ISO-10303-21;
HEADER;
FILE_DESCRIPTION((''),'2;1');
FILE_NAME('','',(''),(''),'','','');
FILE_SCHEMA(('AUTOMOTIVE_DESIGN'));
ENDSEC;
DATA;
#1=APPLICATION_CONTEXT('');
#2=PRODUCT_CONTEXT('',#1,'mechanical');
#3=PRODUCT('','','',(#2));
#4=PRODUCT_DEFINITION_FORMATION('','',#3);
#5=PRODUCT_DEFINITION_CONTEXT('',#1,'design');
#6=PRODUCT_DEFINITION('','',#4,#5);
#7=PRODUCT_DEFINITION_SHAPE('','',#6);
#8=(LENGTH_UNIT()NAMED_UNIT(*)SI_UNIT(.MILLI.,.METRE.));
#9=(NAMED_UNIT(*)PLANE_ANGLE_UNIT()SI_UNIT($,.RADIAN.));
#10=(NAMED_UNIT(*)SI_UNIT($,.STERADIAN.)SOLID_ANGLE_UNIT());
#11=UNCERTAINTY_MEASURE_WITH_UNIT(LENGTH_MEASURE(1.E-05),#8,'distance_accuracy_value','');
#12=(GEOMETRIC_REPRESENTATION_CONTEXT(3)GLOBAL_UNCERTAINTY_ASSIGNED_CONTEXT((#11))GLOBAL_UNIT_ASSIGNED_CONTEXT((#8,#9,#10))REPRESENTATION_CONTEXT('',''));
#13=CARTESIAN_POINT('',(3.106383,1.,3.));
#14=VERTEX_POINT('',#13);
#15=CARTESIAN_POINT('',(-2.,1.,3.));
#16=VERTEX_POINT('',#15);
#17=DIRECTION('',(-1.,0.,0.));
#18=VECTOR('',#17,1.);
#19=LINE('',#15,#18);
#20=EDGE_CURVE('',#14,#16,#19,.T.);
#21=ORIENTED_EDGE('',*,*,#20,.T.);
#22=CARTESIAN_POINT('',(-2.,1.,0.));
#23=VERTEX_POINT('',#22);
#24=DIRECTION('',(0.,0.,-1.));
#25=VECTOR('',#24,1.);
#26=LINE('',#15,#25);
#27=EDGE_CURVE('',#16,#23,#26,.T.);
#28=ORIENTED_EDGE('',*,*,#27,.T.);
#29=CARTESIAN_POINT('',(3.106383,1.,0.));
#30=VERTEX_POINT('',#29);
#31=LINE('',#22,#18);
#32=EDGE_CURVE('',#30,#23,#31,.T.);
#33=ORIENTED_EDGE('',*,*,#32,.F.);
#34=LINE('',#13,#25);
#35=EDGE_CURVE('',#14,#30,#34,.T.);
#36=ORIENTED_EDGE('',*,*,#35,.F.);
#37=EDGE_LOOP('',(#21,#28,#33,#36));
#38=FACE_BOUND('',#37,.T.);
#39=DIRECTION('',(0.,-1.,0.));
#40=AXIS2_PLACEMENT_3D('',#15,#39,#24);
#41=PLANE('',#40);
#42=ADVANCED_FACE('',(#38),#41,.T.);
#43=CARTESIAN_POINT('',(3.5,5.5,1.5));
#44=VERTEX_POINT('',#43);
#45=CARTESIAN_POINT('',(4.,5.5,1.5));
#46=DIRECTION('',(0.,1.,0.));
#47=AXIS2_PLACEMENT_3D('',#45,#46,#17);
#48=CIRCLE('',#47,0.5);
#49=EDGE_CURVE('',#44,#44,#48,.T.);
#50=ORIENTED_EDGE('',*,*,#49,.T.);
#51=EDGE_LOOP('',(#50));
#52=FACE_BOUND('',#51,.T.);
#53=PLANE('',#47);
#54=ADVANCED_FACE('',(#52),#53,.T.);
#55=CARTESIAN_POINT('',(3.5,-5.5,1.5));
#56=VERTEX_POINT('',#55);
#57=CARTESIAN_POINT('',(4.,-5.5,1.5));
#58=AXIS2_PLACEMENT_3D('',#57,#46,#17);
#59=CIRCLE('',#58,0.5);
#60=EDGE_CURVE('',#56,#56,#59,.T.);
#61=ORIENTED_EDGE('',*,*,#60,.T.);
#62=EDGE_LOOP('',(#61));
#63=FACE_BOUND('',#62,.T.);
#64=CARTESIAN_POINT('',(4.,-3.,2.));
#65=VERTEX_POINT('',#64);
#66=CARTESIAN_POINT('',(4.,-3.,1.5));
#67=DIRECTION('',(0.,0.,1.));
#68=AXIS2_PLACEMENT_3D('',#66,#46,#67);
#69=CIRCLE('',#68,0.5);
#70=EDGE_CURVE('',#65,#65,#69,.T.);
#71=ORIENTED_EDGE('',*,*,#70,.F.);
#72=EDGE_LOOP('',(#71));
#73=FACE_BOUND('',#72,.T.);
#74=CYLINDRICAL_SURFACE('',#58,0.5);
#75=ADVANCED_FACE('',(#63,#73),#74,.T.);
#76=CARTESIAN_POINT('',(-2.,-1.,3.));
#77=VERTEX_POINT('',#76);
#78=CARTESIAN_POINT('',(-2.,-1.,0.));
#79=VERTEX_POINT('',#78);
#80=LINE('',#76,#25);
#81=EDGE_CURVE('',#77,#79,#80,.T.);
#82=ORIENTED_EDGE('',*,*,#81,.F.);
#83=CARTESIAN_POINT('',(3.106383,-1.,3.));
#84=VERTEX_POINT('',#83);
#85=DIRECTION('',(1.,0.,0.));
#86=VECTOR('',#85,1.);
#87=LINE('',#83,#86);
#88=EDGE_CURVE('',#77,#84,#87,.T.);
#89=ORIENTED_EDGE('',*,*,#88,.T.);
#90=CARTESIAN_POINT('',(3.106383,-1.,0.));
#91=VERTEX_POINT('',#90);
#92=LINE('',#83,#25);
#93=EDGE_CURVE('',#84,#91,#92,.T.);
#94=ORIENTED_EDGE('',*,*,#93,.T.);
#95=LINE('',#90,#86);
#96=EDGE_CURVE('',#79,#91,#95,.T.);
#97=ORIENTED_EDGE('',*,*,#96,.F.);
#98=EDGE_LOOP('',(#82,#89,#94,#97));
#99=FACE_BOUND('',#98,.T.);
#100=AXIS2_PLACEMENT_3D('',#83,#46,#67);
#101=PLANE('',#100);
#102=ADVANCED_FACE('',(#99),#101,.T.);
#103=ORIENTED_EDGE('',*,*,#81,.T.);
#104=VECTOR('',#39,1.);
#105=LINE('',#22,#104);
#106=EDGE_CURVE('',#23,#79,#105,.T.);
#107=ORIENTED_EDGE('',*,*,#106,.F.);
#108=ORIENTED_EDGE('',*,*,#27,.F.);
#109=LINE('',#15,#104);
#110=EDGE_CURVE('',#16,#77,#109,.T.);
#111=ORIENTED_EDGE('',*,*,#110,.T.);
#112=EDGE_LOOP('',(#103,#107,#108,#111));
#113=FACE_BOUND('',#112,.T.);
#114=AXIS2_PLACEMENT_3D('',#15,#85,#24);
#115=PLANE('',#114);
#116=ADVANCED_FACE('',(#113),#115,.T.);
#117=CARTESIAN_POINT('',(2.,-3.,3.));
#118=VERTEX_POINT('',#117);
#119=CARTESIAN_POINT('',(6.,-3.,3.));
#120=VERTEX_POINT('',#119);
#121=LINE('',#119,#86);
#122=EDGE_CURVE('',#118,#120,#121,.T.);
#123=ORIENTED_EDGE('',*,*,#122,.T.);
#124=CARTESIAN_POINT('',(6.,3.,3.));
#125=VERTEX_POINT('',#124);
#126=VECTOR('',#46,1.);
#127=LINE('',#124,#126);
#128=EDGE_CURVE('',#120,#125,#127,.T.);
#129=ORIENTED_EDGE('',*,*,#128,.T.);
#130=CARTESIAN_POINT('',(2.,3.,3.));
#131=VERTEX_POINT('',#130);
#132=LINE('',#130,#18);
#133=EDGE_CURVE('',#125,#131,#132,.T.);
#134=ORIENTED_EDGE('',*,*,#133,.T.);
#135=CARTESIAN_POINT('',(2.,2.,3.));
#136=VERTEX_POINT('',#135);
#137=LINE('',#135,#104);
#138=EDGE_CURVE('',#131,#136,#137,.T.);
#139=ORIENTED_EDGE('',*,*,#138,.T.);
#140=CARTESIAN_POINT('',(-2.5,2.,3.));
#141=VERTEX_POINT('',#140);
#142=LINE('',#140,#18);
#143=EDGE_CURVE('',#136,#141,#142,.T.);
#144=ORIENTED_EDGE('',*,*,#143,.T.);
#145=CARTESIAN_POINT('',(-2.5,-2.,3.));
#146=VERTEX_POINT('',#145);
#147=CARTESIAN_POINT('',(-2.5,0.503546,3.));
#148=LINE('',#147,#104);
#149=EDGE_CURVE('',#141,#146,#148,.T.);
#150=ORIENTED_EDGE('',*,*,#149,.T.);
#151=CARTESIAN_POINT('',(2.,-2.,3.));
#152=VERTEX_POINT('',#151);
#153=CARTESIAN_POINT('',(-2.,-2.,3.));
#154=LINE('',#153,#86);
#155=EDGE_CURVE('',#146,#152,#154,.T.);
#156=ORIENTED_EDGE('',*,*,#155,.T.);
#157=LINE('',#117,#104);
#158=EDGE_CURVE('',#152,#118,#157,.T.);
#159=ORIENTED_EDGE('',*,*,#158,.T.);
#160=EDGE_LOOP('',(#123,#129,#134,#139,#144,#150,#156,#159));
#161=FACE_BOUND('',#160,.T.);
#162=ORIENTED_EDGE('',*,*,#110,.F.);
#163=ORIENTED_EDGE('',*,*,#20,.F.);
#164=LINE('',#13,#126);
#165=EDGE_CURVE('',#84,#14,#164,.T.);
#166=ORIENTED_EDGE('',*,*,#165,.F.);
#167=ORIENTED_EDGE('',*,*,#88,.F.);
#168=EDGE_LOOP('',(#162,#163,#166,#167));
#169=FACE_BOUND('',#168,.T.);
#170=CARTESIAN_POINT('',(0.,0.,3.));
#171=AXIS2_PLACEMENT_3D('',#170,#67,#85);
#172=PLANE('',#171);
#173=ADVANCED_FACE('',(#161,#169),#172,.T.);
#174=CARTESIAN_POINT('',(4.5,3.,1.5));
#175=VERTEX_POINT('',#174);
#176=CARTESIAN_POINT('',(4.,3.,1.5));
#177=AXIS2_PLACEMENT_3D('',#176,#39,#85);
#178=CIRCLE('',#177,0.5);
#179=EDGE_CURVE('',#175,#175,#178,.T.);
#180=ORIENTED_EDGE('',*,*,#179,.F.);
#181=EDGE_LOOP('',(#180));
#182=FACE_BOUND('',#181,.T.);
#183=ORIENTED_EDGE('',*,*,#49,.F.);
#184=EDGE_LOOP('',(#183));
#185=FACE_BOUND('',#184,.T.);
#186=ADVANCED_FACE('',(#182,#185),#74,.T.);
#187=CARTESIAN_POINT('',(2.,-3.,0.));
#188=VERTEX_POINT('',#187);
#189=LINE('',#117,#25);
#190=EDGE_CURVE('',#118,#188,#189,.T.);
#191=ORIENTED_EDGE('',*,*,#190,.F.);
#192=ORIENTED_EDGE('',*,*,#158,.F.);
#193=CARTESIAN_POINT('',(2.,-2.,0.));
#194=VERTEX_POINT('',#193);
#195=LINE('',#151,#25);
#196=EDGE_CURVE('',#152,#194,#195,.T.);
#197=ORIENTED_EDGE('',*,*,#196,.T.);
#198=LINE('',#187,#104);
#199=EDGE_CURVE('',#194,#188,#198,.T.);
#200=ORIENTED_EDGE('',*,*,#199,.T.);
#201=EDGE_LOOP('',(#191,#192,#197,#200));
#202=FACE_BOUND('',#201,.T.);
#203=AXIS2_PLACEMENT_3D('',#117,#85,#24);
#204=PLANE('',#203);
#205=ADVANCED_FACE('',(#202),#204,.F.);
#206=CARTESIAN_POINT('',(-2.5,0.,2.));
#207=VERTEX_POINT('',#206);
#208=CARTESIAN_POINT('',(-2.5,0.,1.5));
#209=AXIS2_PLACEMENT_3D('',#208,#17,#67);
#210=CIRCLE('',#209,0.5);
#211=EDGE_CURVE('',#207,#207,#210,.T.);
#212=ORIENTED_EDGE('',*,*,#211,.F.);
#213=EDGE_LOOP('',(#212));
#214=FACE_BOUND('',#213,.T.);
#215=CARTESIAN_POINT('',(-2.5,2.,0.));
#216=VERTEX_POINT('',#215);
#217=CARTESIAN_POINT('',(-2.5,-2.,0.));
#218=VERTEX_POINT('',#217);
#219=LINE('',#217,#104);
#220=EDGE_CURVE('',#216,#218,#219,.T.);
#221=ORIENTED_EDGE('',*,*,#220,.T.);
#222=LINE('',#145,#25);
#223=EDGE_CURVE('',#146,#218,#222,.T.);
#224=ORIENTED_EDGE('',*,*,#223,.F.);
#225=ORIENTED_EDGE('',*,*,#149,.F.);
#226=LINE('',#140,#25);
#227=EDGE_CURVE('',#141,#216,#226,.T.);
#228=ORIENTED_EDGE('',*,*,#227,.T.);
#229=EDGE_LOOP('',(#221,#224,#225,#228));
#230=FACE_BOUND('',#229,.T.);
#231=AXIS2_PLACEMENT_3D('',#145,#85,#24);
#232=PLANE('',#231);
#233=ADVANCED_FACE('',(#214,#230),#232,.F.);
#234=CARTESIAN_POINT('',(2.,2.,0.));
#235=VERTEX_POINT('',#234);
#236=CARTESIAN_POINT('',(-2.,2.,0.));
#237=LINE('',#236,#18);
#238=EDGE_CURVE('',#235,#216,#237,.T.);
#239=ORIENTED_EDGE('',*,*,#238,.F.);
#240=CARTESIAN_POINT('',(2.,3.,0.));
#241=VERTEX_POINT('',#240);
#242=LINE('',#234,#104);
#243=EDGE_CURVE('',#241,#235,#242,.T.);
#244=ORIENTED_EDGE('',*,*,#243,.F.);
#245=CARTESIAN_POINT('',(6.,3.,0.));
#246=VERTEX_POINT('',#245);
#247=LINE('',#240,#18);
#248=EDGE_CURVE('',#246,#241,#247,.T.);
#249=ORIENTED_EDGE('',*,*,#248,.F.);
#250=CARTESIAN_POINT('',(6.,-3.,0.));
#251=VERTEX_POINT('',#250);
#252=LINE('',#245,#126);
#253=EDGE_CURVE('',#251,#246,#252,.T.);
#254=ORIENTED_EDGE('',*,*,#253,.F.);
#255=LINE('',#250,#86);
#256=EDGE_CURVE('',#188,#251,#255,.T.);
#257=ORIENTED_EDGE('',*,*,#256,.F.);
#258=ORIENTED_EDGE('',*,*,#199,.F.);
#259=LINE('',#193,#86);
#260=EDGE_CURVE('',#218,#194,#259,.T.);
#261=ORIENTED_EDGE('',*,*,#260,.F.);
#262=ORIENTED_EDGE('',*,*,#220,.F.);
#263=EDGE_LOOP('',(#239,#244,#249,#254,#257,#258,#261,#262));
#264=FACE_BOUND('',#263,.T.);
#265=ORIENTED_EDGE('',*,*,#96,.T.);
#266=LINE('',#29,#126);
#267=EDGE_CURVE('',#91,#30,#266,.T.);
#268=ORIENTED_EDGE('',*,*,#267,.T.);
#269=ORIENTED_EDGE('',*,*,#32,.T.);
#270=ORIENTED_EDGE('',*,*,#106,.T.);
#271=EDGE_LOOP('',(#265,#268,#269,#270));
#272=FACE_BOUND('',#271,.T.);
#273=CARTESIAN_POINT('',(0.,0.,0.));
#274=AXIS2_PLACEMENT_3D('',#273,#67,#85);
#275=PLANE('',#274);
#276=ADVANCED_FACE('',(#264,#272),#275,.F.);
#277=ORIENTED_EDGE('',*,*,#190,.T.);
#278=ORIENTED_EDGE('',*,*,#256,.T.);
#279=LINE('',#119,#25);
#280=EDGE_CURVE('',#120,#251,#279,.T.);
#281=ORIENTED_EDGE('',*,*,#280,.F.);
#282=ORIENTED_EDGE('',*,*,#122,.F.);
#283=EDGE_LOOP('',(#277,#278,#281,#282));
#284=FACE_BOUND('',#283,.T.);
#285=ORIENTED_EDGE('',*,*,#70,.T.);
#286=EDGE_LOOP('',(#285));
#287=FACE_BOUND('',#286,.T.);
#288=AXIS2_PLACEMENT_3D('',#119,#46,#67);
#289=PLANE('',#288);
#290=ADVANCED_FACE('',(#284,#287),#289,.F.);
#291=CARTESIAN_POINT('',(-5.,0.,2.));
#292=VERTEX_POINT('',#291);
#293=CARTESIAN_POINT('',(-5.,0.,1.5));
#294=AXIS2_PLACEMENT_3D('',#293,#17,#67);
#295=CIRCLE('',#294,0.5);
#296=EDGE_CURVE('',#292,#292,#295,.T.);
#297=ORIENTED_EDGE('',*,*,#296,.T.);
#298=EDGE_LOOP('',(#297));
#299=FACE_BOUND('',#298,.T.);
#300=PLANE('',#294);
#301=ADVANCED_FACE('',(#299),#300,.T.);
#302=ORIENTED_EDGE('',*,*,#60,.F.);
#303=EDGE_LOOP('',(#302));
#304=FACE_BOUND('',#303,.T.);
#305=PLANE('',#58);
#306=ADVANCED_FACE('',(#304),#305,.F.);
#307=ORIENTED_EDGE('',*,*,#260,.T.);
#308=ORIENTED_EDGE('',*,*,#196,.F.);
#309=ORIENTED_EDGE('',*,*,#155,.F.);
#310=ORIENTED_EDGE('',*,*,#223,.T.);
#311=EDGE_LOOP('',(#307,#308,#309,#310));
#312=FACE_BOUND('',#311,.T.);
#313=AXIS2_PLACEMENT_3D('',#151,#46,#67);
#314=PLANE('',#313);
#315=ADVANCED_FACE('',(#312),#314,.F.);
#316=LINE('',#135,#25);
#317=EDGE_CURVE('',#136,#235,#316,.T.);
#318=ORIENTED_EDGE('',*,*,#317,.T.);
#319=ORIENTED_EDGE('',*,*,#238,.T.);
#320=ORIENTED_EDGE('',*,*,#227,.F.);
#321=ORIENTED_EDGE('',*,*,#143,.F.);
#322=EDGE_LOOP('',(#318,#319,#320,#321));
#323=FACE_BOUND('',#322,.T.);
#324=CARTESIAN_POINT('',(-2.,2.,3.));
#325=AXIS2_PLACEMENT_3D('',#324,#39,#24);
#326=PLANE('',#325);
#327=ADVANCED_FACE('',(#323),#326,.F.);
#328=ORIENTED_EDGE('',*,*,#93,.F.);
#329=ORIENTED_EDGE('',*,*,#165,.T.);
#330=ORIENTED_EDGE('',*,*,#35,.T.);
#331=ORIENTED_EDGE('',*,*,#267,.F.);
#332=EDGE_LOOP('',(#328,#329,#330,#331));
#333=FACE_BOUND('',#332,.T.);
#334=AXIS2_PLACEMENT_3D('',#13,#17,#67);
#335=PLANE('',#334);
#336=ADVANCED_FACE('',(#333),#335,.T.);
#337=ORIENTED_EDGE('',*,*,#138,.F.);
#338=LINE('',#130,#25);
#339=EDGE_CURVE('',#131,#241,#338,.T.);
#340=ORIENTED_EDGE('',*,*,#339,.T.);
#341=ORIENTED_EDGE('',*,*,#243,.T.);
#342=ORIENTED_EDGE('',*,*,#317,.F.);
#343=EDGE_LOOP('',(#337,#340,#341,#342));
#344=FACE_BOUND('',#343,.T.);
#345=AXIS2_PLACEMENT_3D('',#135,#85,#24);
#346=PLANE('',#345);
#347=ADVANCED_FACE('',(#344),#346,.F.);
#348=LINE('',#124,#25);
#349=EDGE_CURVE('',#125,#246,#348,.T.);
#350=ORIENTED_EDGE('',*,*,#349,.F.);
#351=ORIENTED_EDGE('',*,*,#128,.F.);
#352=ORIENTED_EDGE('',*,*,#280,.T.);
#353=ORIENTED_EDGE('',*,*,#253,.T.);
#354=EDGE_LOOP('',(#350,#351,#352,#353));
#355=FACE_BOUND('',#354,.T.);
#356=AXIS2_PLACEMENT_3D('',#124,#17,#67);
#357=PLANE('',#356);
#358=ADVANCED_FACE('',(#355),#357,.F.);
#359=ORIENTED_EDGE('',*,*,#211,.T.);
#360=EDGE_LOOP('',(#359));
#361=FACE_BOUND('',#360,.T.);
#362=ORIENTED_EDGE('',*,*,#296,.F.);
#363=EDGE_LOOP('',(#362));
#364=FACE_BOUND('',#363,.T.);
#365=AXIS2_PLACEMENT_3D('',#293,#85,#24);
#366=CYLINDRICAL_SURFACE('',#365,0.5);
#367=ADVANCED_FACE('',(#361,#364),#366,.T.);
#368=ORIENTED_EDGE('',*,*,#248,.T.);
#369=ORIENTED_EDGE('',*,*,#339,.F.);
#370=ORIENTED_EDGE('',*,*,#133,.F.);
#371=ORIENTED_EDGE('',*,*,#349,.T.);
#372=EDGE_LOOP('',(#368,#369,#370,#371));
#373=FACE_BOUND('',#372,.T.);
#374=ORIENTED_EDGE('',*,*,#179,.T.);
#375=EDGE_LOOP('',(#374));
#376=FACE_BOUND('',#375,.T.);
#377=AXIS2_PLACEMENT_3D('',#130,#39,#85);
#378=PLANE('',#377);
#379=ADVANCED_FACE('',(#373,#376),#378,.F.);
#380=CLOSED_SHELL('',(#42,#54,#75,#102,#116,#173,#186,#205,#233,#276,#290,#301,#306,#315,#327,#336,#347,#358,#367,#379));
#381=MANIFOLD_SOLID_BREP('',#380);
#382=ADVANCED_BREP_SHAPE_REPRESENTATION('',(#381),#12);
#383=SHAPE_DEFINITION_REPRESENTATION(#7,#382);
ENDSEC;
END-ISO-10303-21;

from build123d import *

# Parameters (mm, degrees)
CROQUIS1_W                   = 5.106382979
CROQUIS1_H                   = 2
SALIENTE_EXTRUIR1_DEPTH      = 3
CROQUIS2_R                   = 0.5
SALIENTE_EXTRUIR2_DEPTH      = 2.5
SALIENTE_EXTRUIR2_DEPTH_BACK = 8.5
CROQUIS3_R                   = 0.5
SALIENTE_EXTRUIR3_DEPTH      = 2.5


with BuildPart() as part:
    # Croquis1 → Saliente-Extruir1 (new body)
    with BuildSketch(Plane.XY):
        Polygon((-2, 2), (2, 2), (2, 3), (6, 3), (6, -3), (2, -3), (2, -2), (-2, -2), (-2.5, -2), (-2.5, -0.496453901), (-2.5, 0.503546099), (-2.5, 2), align=None)
        with Locations((0.55319149, 0)):
            Rectangle(CROQUIS1_W, CROQUIS1_H, mode=Mode.SUBTRACT)
    extrude(amount=SALIENTE_EXTRUIR1_DEPTH)

    # Croquis2 → Saliente-Extruir2 (add, two sides)
    with BuildSketch(Plane(origin=(0, 3, 0), x_dir=(1, 0, 0), z_dir=(0, 1, 0))) as saliente_extruir2_sk:
        with Locations((4, -1.5)):
            Circle(CROQUIS2_R)
    extrude(amount=SALIENTE_EXTRUIR2_DEPTH)
    extrude(saliente_extruir2_sk.sketch, amount=-SALIENTE_EXTRUIR2_DEPTH_BACK)

    # Croquis3 → Saliente-Extruir3 (add)
    with BuildSketch(Plane.ZY.offset(2.5)):
        with Locations((1.5, 0)):
            Circle(CROQUIS3_R)
    extrude(amount=SALIENTE_EXTRUIR3_DEPTH)


solid = part.part
